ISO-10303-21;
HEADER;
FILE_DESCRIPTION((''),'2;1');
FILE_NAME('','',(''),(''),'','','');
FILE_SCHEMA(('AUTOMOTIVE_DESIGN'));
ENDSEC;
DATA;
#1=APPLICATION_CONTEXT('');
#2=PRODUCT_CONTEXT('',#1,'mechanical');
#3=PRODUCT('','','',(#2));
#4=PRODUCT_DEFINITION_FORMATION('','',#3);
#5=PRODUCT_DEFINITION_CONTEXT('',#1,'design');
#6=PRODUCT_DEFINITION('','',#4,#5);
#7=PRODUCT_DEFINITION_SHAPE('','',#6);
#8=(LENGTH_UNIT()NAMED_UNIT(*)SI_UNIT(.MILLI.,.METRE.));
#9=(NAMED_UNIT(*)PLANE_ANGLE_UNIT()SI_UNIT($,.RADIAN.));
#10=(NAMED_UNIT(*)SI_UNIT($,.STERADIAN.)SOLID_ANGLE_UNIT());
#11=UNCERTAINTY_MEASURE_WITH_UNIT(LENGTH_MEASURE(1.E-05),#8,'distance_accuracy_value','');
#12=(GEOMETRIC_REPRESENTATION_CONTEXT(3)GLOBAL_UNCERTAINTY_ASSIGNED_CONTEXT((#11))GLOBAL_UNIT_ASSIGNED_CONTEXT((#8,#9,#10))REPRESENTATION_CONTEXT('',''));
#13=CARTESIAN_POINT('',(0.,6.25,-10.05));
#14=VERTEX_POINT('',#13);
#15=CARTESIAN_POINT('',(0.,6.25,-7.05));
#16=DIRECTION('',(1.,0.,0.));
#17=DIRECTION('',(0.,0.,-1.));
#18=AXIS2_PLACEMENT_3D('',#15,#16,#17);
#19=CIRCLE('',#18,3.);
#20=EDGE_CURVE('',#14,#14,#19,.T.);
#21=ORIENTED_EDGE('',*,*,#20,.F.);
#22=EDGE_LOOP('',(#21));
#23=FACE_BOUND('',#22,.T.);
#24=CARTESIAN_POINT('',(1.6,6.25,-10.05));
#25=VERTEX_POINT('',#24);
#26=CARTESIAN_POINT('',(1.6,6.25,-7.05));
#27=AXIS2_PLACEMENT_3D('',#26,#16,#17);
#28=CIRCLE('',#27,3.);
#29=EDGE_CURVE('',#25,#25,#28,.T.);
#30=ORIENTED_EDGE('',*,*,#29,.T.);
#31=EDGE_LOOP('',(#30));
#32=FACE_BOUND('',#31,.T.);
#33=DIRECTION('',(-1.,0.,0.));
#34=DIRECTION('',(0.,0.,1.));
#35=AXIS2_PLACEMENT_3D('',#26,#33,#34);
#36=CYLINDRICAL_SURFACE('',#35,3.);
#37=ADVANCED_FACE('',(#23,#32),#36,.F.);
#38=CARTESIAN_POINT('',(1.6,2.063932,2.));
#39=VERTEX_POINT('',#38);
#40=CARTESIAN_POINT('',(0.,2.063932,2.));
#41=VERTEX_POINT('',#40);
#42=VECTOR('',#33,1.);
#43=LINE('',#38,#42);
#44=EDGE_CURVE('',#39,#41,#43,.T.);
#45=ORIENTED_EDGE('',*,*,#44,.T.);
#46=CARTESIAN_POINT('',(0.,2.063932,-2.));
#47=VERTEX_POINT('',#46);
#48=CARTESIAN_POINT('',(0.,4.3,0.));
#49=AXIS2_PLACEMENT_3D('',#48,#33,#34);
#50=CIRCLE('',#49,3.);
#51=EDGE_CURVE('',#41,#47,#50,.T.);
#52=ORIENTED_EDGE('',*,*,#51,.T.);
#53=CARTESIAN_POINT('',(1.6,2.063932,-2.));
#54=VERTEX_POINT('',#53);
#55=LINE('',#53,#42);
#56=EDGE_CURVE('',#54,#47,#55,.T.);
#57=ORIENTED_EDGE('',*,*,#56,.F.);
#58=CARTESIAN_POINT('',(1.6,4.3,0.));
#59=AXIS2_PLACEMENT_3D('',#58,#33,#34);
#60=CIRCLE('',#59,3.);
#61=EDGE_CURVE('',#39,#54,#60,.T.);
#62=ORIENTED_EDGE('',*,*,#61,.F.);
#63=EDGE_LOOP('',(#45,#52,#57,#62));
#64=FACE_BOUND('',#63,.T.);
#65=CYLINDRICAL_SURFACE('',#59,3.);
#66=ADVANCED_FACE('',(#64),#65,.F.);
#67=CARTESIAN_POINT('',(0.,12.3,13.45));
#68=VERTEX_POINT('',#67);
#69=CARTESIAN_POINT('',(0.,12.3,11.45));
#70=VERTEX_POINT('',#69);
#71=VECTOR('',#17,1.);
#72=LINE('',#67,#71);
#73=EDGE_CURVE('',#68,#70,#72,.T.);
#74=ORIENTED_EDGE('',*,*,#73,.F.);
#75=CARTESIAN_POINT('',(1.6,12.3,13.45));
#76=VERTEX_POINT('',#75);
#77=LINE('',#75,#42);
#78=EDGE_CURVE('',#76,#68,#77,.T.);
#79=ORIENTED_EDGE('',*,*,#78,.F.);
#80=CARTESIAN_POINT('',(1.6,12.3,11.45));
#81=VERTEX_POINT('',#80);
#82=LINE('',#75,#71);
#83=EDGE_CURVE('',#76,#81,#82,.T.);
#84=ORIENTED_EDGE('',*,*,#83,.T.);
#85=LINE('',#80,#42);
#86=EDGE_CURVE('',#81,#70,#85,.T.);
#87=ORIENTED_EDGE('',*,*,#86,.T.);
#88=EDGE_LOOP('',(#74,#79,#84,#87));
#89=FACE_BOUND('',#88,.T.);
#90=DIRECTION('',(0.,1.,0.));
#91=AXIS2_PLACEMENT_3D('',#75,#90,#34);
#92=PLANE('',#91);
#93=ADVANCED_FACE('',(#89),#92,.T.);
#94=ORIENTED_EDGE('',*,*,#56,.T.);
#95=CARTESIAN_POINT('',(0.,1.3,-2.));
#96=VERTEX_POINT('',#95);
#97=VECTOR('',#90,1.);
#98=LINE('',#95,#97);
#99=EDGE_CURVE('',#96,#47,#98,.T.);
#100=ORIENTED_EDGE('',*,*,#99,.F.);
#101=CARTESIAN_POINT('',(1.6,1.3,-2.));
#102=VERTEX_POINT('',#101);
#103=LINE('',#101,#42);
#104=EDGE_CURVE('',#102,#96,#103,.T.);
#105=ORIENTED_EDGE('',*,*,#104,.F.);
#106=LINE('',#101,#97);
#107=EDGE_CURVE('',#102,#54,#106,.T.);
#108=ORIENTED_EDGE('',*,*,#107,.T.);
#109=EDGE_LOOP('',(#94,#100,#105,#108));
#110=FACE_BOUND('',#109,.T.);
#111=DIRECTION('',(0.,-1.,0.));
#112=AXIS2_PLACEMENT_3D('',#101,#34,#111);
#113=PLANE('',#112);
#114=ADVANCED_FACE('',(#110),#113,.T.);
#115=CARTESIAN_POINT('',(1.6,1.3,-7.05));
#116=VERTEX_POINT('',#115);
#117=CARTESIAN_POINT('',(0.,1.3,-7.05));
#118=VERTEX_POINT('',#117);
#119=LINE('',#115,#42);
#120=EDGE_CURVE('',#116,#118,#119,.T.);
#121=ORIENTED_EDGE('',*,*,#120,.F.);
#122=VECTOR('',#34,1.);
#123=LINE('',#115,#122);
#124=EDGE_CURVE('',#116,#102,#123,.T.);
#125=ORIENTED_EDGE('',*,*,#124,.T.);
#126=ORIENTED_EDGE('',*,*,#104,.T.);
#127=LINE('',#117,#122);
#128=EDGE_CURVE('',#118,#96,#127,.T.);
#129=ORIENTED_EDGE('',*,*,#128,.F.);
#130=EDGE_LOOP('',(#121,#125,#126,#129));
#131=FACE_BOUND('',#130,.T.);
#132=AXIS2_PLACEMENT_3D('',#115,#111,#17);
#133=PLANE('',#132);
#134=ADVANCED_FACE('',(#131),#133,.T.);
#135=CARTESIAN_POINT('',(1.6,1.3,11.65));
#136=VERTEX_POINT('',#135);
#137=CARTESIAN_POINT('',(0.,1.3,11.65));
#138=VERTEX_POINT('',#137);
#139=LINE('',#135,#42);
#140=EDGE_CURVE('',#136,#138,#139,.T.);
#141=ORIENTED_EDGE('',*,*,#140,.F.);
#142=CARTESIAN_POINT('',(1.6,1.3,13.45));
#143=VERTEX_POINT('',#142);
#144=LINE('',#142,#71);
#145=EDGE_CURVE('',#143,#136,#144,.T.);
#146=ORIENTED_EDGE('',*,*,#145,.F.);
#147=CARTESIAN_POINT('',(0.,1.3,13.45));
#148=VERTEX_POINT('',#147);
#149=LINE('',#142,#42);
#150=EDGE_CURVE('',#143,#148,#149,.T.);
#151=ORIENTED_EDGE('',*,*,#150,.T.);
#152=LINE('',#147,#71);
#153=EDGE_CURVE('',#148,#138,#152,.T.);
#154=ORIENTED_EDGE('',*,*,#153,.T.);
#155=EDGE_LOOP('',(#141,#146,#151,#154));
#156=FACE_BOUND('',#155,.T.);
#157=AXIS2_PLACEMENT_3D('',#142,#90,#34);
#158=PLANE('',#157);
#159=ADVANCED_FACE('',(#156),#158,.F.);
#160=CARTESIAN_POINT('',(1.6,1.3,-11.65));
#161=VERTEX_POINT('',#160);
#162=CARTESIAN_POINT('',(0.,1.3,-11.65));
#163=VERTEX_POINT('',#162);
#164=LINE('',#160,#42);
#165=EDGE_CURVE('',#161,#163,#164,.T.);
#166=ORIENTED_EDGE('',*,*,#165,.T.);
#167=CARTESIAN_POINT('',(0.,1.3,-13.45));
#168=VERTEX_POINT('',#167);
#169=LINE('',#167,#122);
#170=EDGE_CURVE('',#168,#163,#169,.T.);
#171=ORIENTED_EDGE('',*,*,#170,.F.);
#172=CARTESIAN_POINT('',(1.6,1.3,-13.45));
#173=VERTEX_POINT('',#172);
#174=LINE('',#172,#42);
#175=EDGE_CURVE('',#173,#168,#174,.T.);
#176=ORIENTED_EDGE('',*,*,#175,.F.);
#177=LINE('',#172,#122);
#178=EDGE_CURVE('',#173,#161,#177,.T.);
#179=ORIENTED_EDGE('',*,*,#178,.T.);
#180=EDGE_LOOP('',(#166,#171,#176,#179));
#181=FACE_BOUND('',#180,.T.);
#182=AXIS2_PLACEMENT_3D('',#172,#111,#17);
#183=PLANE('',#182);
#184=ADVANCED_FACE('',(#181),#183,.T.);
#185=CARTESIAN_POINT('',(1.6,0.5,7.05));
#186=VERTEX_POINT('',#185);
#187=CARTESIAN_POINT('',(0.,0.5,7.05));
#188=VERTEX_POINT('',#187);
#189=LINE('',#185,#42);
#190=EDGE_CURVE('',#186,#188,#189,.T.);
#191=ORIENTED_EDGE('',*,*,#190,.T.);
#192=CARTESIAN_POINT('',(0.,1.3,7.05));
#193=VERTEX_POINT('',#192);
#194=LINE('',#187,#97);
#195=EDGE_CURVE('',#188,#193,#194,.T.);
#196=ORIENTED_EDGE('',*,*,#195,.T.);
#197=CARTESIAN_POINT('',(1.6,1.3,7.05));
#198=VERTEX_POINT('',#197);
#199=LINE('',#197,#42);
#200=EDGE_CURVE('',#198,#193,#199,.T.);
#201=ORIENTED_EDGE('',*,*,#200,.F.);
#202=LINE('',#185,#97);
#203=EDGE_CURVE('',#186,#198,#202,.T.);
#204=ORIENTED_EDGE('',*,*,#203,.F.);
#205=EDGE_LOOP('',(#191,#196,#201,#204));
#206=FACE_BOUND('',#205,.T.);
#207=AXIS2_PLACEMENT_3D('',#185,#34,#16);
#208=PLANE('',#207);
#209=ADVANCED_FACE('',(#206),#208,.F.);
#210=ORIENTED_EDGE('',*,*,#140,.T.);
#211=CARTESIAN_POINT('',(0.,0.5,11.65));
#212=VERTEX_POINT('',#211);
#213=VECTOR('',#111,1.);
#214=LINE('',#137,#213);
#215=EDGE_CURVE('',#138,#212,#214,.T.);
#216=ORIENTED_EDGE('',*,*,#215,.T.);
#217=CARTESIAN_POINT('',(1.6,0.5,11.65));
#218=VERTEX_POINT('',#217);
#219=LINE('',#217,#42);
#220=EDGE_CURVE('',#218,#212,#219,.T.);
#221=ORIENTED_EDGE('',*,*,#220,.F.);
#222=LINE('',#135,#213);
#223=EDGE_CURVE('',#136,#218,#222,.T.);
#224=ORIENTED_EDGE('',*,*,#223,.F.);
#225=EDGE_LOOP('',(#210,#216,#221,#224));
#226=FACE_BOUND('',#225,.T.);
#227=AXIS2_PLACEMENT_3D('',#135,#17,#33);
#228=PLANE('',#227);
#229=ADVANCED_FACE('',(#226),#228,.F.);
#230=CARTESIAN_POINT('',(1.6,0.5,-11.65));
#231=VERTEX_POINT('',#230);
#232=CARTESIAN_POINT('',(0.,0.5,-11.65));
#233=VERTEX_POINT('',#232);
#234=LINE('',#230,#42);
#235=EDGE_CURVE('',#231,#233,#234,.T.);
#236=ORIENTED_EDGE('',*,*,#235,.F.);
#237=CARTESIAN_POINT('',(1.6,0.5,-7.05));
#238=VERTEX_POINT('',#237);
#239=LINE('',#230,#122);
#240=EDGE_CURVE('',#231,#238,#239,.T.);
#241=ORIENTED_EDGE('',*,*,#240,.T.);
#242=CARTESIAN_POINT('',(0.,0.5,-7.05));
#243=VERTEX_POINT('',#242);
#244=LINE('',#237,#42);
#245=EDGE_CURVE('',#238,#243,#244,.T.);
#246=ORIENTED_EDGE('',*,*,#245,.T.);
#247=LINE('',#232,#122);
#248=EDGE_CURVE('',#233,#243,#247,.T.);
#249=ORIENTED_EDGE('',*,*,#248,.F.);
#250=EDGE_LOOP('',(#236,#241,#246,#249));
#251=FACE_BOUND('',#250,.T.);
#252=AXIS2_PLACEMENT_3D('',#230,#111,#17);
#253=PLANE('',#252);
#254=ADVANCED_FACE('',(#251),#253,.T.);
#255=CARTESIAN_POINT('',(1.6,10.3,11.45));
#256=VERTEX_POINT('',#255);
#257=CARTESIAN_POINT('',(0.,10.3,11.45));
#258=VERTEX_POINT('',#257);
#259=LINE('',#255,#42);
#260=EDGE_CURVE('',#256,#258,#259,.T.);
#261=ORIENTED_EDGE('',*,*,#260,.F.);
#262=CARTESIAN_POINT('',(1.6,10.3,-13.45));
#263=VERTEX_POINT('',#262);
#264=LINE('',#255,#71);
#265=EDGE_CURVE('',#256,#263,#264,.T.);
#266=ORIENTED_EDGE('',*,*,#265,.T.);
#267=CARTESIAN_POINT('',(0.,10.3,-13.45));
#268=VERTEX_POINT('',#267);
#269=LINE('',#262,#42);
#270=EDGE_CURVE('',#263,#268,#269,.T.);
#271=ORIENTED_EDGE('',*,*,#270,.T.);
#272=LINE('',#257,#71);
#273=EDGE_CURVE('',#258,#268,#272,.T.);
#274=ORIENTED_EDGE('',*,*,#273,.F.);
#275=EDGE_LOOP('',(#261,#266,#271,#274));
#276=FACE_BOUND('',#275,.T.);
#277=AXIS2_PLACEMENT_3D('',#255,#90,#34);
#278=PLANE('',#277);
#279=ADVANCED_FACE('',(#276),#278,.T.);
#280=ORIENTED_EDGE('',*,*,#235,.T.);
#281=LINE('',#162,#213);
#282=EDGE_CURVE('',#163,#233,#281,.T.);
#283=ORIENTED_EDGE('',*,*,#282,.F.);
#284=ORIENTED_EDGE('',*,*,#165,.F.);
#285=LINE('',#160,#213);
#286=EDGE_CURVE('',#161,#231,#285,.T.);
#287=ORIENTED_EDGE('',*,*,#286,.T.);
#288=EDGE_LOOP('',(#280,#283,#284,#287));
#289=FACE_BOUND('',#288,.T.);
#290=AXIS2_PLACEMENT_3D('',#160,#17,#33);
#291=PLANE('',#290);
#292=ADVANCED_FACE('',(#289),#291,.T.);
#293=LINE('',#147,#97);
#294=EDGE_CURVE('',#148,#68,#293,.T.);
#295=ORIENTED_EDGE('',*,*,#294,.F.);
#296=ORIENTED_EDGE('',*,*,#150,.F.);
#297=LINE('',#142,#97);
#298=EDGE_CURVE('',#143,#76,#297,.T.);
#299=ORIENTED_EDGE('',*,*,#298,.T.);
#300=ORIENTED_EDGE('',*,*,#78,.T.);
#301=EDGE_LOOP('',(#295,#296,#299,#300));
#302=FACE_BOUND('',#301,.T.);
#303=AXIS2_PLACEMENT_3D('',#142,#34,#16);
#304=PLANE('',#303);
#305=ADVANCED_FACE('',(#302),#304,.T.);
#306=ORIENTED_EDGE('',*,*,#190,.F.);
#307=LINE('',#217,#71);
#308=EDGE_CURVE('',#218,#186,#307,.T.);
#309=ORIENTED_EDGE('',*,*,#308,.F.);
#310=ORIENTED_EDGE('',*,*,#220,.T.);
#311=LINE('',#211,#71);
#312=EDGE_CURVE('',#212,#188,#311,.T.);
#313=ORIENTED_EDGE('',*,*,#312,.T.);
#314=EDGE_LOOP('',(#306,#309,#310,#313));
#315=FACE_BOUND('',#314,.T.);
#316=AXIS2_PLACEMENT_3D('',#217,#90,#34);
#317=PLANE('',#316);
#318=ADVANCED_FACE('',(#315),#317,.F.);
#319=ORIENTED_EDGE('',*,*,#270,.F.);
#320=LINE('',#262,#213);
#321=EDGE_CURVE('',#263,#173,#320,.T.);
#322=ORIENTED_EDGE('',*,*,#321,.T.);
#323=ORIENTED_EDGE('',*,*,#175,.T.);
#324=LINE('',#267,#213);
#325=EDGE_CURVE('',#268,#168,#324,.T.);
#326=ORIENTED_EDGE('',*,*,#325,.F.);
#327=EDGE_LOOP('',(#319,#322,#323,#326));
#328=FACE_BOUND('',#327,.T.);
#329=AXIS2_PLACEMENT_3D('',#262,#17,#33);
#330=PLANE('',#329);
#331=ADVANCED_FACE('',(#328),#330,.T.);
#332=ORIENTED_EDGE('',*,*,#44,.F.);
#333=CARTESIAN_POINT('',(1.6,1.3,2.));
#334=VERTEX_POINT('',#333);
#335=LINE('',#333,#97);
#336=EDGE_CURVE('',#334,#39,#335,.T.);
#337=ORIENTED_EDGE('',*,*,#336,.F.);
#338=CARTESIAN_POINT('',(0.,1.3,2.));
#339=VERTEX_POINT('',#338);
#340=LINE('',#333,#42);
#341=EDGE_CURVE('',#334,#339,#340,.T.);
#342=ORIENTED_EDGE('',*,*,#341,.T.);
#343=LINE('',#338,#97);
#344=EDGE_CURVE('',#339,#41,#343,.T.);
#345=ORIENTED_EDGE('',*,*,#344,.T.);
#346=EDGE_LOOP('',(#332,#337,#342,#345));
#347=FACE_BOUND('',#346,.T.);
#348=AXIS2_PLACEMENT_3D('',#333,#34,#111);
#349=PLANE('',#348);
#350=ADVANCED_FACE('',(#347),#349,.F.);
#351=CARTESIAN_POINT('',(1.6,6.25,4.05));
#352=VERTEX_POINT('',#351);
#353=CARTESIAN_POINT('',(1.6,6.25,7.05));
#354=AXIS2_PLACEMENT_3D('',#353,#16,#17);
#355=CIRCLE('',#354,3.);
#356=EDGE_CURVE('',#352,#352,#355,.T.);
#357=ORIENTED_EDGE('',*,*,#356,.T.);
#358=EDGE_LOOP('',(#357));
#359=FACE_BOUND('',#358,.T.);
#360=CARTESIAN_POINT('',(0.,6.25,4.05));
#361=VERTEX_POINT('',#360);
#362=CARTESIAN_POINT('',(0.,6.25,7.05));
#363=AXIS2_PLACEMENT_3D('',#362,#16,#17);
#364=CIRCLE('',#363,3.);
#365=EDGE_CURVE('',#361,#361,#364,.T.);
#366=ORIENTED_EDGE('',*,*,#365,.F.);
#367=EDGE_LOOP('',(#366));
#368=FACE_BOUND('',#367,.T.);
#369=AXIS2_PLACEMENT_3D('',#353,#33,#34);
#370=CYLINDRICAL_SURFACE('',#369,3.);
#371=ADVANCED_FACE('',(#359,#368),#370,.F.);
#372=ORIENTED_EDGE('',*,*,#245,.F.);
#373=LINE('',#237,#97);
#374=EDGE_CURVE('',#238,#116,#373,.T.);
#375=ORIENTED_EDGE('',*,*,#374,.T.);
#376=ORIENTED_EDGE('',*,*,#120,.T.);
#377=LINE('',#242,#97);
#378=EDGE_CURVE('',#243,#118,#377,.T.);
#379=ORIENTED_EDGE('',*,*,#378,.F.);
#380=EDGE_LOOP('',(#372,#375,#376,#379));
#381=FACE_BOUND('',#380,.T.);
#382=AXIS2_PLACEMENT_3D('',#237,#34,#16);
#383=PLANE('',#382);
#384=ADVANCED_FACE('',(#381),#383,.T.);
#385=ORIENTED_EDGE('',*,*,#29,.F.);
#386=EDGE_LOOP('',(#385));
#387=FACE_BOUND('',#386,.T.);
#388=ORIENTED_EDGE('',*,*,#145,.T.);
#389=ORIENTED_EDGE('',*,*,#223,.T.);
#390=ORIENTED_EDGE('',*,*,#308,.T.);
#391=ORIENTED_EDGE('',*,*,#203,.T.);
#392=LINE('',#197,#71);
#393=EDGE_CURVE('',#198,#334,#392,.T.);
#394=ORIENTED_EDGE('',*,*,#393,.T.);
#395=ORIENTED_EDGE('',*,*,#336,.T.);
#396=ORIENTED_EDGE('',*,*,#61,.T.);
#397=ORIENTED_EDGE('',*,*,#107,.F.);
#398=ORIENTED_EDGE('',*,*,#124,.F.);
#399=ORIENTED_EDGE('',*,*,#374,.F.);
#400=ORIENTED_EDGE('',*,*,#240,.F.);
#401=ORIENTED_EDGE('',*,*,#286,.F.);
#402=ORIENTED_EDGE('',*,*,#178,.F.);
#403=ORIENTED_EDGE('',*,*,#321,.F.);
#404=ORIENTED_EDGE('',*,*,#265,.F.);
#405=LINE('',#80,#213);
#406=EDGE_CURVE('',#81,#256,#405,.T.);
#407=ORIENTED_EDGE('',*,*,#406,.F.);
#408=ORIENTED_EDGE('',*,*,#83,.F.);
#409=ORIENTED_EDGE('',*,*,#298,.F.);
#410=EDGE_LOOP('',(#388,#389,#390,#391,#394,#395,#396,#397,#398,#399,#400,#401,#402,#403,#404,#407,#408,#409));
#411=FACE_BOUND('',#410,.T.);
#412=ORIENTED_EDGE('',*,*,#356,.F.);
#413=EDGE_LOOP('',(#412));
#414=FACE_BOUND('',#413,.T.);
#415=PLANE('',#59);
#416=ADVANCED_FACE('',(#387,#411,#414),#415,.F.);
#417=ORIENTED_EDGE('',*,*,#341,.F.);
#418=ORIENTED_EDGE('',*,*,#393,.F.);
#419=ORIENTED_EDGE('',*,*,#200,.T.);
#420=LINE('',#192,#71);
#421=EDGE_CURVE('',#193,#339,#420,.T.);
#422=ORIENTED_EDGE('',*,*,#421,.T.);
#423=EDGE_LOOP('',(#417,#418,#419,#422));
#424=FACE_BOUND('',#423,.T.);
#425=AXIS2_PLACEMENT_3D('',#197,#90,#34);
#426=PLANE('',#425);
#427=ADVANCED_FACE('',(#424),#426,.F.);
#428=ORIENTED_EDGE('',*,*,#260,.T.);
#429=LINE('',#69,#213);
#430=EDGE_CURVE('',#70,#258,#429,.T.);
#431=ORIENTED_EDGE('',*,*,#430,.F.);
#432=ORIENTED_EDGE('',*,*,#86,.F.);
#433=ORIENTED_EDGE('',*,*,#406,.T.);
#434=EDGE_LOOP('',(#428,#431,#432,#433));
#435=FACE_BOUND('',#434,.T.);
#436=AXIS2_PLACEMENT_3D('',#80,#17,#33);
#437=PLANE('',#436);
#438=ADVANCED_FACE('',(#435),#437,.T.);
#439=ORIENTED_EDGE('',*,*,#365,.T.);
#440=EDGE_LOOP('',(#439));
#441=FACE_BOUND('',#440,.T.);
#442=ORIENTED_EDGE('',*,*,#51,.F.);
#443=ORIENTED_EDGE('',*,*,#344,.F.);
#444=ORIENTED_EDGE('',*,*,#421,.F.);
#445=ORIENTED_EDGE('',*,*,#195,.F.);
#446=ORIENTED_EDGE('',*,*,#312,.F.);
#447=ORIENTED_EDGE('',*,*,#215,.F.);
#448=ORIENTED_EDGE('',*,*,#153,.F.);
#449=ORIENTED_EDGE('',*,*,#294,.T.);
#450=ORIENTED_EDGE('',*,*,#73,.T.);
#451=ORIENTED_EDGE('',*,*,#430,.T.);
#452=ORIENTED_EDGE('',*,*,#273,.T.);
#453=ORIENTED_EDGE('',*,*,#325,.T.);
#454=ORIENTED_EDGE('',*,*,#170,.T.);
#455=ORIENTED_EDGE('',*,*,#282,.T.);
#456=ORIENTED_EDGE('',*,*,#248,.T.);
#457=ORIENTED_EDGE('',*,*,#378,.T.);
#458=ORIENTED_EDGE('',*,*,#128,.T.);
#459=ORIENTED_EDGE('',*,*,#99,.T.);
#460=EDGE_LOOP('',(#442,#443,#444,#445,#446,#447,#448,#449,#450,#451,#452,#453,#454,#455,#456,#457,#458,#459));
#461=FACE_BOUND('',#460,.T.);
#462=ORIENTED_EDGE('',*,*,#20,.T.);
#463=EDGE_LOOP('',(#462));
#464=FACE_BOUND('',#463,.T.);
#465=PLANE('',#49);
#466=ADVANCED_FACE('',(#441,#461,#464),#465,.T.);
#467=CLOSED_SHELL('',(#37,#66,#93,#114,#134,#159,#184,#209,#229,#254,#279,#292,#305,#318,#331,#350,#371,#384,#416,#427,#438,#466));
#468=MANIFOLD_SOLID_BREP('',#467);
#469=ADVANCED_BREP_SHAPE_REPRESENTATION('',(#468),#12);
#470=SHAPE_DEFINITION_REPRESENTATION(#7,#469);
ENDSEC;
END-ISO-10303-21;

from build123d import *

# Parameters (mm, degrees)
SKETCH_2_R      = 3
EXTRUDE_1_DEPTH = 1.6


with BuildPart() as part:
    # 스케치2 → 보스-돌출1 (new body)
    with BuildSketch(Plane(origin=(0, 0, 0), x_dir=(0, 0, -1), z_dir=(1, 0, 0))):
        with BuildLine():
            Line((-13.45, 1.3), (-11.65, 1.3))
            Line((-11.65, 1.3), (-11.65, 0.5))
            Line((-11.65, 0.5), (-7.05, 0.5))
            Line((-7.05, 0.5), (-7.05, 1.3))
            Line((-7.05, 1.3), (-2, 1.3))
            Line((-2, 1.3), (-2, 2.063932023))
            ThreePointArc((-2, 2.063932023), (0, 7.3), (2, 2.063932023))
            Line((2, 2.063932023), (2, 1.3))
            Line((2, 1.3), (7.05, 1.3))
            Line((7.05, 1.3), (7.05, 0.5))
            Line((7.05, 0.5), (11.65, 0.5))
            Line((11.65, 0.5), (11.65, 1.3))
            Line((11.65, 1.3), (13.45, 1.3))
            Line((13.45, 1.3), (13.45, 10.3))
            Line((13.45, 10.3), (-11.45, 10.3))
            Line((-11.45, 10.3), (-11.45, 12.3))
            Line((-11.45, 12.3), (-13.45, 12.3))
            Line((-13.45, 12.3), (-13.45, 1.3))
        make_face()
        with Locations((-7.05, 6.25)):
            Circle(SKETCH_2_R, mode=Mode.SUBTRACT)
        with Locations((7.05, 6.25)):
            Circle(SKETCH_2_R, mode=Mode.SUBTRACT)
    extrude(amount=EXTRUDE_1_DEPTH)


solid = part.part
